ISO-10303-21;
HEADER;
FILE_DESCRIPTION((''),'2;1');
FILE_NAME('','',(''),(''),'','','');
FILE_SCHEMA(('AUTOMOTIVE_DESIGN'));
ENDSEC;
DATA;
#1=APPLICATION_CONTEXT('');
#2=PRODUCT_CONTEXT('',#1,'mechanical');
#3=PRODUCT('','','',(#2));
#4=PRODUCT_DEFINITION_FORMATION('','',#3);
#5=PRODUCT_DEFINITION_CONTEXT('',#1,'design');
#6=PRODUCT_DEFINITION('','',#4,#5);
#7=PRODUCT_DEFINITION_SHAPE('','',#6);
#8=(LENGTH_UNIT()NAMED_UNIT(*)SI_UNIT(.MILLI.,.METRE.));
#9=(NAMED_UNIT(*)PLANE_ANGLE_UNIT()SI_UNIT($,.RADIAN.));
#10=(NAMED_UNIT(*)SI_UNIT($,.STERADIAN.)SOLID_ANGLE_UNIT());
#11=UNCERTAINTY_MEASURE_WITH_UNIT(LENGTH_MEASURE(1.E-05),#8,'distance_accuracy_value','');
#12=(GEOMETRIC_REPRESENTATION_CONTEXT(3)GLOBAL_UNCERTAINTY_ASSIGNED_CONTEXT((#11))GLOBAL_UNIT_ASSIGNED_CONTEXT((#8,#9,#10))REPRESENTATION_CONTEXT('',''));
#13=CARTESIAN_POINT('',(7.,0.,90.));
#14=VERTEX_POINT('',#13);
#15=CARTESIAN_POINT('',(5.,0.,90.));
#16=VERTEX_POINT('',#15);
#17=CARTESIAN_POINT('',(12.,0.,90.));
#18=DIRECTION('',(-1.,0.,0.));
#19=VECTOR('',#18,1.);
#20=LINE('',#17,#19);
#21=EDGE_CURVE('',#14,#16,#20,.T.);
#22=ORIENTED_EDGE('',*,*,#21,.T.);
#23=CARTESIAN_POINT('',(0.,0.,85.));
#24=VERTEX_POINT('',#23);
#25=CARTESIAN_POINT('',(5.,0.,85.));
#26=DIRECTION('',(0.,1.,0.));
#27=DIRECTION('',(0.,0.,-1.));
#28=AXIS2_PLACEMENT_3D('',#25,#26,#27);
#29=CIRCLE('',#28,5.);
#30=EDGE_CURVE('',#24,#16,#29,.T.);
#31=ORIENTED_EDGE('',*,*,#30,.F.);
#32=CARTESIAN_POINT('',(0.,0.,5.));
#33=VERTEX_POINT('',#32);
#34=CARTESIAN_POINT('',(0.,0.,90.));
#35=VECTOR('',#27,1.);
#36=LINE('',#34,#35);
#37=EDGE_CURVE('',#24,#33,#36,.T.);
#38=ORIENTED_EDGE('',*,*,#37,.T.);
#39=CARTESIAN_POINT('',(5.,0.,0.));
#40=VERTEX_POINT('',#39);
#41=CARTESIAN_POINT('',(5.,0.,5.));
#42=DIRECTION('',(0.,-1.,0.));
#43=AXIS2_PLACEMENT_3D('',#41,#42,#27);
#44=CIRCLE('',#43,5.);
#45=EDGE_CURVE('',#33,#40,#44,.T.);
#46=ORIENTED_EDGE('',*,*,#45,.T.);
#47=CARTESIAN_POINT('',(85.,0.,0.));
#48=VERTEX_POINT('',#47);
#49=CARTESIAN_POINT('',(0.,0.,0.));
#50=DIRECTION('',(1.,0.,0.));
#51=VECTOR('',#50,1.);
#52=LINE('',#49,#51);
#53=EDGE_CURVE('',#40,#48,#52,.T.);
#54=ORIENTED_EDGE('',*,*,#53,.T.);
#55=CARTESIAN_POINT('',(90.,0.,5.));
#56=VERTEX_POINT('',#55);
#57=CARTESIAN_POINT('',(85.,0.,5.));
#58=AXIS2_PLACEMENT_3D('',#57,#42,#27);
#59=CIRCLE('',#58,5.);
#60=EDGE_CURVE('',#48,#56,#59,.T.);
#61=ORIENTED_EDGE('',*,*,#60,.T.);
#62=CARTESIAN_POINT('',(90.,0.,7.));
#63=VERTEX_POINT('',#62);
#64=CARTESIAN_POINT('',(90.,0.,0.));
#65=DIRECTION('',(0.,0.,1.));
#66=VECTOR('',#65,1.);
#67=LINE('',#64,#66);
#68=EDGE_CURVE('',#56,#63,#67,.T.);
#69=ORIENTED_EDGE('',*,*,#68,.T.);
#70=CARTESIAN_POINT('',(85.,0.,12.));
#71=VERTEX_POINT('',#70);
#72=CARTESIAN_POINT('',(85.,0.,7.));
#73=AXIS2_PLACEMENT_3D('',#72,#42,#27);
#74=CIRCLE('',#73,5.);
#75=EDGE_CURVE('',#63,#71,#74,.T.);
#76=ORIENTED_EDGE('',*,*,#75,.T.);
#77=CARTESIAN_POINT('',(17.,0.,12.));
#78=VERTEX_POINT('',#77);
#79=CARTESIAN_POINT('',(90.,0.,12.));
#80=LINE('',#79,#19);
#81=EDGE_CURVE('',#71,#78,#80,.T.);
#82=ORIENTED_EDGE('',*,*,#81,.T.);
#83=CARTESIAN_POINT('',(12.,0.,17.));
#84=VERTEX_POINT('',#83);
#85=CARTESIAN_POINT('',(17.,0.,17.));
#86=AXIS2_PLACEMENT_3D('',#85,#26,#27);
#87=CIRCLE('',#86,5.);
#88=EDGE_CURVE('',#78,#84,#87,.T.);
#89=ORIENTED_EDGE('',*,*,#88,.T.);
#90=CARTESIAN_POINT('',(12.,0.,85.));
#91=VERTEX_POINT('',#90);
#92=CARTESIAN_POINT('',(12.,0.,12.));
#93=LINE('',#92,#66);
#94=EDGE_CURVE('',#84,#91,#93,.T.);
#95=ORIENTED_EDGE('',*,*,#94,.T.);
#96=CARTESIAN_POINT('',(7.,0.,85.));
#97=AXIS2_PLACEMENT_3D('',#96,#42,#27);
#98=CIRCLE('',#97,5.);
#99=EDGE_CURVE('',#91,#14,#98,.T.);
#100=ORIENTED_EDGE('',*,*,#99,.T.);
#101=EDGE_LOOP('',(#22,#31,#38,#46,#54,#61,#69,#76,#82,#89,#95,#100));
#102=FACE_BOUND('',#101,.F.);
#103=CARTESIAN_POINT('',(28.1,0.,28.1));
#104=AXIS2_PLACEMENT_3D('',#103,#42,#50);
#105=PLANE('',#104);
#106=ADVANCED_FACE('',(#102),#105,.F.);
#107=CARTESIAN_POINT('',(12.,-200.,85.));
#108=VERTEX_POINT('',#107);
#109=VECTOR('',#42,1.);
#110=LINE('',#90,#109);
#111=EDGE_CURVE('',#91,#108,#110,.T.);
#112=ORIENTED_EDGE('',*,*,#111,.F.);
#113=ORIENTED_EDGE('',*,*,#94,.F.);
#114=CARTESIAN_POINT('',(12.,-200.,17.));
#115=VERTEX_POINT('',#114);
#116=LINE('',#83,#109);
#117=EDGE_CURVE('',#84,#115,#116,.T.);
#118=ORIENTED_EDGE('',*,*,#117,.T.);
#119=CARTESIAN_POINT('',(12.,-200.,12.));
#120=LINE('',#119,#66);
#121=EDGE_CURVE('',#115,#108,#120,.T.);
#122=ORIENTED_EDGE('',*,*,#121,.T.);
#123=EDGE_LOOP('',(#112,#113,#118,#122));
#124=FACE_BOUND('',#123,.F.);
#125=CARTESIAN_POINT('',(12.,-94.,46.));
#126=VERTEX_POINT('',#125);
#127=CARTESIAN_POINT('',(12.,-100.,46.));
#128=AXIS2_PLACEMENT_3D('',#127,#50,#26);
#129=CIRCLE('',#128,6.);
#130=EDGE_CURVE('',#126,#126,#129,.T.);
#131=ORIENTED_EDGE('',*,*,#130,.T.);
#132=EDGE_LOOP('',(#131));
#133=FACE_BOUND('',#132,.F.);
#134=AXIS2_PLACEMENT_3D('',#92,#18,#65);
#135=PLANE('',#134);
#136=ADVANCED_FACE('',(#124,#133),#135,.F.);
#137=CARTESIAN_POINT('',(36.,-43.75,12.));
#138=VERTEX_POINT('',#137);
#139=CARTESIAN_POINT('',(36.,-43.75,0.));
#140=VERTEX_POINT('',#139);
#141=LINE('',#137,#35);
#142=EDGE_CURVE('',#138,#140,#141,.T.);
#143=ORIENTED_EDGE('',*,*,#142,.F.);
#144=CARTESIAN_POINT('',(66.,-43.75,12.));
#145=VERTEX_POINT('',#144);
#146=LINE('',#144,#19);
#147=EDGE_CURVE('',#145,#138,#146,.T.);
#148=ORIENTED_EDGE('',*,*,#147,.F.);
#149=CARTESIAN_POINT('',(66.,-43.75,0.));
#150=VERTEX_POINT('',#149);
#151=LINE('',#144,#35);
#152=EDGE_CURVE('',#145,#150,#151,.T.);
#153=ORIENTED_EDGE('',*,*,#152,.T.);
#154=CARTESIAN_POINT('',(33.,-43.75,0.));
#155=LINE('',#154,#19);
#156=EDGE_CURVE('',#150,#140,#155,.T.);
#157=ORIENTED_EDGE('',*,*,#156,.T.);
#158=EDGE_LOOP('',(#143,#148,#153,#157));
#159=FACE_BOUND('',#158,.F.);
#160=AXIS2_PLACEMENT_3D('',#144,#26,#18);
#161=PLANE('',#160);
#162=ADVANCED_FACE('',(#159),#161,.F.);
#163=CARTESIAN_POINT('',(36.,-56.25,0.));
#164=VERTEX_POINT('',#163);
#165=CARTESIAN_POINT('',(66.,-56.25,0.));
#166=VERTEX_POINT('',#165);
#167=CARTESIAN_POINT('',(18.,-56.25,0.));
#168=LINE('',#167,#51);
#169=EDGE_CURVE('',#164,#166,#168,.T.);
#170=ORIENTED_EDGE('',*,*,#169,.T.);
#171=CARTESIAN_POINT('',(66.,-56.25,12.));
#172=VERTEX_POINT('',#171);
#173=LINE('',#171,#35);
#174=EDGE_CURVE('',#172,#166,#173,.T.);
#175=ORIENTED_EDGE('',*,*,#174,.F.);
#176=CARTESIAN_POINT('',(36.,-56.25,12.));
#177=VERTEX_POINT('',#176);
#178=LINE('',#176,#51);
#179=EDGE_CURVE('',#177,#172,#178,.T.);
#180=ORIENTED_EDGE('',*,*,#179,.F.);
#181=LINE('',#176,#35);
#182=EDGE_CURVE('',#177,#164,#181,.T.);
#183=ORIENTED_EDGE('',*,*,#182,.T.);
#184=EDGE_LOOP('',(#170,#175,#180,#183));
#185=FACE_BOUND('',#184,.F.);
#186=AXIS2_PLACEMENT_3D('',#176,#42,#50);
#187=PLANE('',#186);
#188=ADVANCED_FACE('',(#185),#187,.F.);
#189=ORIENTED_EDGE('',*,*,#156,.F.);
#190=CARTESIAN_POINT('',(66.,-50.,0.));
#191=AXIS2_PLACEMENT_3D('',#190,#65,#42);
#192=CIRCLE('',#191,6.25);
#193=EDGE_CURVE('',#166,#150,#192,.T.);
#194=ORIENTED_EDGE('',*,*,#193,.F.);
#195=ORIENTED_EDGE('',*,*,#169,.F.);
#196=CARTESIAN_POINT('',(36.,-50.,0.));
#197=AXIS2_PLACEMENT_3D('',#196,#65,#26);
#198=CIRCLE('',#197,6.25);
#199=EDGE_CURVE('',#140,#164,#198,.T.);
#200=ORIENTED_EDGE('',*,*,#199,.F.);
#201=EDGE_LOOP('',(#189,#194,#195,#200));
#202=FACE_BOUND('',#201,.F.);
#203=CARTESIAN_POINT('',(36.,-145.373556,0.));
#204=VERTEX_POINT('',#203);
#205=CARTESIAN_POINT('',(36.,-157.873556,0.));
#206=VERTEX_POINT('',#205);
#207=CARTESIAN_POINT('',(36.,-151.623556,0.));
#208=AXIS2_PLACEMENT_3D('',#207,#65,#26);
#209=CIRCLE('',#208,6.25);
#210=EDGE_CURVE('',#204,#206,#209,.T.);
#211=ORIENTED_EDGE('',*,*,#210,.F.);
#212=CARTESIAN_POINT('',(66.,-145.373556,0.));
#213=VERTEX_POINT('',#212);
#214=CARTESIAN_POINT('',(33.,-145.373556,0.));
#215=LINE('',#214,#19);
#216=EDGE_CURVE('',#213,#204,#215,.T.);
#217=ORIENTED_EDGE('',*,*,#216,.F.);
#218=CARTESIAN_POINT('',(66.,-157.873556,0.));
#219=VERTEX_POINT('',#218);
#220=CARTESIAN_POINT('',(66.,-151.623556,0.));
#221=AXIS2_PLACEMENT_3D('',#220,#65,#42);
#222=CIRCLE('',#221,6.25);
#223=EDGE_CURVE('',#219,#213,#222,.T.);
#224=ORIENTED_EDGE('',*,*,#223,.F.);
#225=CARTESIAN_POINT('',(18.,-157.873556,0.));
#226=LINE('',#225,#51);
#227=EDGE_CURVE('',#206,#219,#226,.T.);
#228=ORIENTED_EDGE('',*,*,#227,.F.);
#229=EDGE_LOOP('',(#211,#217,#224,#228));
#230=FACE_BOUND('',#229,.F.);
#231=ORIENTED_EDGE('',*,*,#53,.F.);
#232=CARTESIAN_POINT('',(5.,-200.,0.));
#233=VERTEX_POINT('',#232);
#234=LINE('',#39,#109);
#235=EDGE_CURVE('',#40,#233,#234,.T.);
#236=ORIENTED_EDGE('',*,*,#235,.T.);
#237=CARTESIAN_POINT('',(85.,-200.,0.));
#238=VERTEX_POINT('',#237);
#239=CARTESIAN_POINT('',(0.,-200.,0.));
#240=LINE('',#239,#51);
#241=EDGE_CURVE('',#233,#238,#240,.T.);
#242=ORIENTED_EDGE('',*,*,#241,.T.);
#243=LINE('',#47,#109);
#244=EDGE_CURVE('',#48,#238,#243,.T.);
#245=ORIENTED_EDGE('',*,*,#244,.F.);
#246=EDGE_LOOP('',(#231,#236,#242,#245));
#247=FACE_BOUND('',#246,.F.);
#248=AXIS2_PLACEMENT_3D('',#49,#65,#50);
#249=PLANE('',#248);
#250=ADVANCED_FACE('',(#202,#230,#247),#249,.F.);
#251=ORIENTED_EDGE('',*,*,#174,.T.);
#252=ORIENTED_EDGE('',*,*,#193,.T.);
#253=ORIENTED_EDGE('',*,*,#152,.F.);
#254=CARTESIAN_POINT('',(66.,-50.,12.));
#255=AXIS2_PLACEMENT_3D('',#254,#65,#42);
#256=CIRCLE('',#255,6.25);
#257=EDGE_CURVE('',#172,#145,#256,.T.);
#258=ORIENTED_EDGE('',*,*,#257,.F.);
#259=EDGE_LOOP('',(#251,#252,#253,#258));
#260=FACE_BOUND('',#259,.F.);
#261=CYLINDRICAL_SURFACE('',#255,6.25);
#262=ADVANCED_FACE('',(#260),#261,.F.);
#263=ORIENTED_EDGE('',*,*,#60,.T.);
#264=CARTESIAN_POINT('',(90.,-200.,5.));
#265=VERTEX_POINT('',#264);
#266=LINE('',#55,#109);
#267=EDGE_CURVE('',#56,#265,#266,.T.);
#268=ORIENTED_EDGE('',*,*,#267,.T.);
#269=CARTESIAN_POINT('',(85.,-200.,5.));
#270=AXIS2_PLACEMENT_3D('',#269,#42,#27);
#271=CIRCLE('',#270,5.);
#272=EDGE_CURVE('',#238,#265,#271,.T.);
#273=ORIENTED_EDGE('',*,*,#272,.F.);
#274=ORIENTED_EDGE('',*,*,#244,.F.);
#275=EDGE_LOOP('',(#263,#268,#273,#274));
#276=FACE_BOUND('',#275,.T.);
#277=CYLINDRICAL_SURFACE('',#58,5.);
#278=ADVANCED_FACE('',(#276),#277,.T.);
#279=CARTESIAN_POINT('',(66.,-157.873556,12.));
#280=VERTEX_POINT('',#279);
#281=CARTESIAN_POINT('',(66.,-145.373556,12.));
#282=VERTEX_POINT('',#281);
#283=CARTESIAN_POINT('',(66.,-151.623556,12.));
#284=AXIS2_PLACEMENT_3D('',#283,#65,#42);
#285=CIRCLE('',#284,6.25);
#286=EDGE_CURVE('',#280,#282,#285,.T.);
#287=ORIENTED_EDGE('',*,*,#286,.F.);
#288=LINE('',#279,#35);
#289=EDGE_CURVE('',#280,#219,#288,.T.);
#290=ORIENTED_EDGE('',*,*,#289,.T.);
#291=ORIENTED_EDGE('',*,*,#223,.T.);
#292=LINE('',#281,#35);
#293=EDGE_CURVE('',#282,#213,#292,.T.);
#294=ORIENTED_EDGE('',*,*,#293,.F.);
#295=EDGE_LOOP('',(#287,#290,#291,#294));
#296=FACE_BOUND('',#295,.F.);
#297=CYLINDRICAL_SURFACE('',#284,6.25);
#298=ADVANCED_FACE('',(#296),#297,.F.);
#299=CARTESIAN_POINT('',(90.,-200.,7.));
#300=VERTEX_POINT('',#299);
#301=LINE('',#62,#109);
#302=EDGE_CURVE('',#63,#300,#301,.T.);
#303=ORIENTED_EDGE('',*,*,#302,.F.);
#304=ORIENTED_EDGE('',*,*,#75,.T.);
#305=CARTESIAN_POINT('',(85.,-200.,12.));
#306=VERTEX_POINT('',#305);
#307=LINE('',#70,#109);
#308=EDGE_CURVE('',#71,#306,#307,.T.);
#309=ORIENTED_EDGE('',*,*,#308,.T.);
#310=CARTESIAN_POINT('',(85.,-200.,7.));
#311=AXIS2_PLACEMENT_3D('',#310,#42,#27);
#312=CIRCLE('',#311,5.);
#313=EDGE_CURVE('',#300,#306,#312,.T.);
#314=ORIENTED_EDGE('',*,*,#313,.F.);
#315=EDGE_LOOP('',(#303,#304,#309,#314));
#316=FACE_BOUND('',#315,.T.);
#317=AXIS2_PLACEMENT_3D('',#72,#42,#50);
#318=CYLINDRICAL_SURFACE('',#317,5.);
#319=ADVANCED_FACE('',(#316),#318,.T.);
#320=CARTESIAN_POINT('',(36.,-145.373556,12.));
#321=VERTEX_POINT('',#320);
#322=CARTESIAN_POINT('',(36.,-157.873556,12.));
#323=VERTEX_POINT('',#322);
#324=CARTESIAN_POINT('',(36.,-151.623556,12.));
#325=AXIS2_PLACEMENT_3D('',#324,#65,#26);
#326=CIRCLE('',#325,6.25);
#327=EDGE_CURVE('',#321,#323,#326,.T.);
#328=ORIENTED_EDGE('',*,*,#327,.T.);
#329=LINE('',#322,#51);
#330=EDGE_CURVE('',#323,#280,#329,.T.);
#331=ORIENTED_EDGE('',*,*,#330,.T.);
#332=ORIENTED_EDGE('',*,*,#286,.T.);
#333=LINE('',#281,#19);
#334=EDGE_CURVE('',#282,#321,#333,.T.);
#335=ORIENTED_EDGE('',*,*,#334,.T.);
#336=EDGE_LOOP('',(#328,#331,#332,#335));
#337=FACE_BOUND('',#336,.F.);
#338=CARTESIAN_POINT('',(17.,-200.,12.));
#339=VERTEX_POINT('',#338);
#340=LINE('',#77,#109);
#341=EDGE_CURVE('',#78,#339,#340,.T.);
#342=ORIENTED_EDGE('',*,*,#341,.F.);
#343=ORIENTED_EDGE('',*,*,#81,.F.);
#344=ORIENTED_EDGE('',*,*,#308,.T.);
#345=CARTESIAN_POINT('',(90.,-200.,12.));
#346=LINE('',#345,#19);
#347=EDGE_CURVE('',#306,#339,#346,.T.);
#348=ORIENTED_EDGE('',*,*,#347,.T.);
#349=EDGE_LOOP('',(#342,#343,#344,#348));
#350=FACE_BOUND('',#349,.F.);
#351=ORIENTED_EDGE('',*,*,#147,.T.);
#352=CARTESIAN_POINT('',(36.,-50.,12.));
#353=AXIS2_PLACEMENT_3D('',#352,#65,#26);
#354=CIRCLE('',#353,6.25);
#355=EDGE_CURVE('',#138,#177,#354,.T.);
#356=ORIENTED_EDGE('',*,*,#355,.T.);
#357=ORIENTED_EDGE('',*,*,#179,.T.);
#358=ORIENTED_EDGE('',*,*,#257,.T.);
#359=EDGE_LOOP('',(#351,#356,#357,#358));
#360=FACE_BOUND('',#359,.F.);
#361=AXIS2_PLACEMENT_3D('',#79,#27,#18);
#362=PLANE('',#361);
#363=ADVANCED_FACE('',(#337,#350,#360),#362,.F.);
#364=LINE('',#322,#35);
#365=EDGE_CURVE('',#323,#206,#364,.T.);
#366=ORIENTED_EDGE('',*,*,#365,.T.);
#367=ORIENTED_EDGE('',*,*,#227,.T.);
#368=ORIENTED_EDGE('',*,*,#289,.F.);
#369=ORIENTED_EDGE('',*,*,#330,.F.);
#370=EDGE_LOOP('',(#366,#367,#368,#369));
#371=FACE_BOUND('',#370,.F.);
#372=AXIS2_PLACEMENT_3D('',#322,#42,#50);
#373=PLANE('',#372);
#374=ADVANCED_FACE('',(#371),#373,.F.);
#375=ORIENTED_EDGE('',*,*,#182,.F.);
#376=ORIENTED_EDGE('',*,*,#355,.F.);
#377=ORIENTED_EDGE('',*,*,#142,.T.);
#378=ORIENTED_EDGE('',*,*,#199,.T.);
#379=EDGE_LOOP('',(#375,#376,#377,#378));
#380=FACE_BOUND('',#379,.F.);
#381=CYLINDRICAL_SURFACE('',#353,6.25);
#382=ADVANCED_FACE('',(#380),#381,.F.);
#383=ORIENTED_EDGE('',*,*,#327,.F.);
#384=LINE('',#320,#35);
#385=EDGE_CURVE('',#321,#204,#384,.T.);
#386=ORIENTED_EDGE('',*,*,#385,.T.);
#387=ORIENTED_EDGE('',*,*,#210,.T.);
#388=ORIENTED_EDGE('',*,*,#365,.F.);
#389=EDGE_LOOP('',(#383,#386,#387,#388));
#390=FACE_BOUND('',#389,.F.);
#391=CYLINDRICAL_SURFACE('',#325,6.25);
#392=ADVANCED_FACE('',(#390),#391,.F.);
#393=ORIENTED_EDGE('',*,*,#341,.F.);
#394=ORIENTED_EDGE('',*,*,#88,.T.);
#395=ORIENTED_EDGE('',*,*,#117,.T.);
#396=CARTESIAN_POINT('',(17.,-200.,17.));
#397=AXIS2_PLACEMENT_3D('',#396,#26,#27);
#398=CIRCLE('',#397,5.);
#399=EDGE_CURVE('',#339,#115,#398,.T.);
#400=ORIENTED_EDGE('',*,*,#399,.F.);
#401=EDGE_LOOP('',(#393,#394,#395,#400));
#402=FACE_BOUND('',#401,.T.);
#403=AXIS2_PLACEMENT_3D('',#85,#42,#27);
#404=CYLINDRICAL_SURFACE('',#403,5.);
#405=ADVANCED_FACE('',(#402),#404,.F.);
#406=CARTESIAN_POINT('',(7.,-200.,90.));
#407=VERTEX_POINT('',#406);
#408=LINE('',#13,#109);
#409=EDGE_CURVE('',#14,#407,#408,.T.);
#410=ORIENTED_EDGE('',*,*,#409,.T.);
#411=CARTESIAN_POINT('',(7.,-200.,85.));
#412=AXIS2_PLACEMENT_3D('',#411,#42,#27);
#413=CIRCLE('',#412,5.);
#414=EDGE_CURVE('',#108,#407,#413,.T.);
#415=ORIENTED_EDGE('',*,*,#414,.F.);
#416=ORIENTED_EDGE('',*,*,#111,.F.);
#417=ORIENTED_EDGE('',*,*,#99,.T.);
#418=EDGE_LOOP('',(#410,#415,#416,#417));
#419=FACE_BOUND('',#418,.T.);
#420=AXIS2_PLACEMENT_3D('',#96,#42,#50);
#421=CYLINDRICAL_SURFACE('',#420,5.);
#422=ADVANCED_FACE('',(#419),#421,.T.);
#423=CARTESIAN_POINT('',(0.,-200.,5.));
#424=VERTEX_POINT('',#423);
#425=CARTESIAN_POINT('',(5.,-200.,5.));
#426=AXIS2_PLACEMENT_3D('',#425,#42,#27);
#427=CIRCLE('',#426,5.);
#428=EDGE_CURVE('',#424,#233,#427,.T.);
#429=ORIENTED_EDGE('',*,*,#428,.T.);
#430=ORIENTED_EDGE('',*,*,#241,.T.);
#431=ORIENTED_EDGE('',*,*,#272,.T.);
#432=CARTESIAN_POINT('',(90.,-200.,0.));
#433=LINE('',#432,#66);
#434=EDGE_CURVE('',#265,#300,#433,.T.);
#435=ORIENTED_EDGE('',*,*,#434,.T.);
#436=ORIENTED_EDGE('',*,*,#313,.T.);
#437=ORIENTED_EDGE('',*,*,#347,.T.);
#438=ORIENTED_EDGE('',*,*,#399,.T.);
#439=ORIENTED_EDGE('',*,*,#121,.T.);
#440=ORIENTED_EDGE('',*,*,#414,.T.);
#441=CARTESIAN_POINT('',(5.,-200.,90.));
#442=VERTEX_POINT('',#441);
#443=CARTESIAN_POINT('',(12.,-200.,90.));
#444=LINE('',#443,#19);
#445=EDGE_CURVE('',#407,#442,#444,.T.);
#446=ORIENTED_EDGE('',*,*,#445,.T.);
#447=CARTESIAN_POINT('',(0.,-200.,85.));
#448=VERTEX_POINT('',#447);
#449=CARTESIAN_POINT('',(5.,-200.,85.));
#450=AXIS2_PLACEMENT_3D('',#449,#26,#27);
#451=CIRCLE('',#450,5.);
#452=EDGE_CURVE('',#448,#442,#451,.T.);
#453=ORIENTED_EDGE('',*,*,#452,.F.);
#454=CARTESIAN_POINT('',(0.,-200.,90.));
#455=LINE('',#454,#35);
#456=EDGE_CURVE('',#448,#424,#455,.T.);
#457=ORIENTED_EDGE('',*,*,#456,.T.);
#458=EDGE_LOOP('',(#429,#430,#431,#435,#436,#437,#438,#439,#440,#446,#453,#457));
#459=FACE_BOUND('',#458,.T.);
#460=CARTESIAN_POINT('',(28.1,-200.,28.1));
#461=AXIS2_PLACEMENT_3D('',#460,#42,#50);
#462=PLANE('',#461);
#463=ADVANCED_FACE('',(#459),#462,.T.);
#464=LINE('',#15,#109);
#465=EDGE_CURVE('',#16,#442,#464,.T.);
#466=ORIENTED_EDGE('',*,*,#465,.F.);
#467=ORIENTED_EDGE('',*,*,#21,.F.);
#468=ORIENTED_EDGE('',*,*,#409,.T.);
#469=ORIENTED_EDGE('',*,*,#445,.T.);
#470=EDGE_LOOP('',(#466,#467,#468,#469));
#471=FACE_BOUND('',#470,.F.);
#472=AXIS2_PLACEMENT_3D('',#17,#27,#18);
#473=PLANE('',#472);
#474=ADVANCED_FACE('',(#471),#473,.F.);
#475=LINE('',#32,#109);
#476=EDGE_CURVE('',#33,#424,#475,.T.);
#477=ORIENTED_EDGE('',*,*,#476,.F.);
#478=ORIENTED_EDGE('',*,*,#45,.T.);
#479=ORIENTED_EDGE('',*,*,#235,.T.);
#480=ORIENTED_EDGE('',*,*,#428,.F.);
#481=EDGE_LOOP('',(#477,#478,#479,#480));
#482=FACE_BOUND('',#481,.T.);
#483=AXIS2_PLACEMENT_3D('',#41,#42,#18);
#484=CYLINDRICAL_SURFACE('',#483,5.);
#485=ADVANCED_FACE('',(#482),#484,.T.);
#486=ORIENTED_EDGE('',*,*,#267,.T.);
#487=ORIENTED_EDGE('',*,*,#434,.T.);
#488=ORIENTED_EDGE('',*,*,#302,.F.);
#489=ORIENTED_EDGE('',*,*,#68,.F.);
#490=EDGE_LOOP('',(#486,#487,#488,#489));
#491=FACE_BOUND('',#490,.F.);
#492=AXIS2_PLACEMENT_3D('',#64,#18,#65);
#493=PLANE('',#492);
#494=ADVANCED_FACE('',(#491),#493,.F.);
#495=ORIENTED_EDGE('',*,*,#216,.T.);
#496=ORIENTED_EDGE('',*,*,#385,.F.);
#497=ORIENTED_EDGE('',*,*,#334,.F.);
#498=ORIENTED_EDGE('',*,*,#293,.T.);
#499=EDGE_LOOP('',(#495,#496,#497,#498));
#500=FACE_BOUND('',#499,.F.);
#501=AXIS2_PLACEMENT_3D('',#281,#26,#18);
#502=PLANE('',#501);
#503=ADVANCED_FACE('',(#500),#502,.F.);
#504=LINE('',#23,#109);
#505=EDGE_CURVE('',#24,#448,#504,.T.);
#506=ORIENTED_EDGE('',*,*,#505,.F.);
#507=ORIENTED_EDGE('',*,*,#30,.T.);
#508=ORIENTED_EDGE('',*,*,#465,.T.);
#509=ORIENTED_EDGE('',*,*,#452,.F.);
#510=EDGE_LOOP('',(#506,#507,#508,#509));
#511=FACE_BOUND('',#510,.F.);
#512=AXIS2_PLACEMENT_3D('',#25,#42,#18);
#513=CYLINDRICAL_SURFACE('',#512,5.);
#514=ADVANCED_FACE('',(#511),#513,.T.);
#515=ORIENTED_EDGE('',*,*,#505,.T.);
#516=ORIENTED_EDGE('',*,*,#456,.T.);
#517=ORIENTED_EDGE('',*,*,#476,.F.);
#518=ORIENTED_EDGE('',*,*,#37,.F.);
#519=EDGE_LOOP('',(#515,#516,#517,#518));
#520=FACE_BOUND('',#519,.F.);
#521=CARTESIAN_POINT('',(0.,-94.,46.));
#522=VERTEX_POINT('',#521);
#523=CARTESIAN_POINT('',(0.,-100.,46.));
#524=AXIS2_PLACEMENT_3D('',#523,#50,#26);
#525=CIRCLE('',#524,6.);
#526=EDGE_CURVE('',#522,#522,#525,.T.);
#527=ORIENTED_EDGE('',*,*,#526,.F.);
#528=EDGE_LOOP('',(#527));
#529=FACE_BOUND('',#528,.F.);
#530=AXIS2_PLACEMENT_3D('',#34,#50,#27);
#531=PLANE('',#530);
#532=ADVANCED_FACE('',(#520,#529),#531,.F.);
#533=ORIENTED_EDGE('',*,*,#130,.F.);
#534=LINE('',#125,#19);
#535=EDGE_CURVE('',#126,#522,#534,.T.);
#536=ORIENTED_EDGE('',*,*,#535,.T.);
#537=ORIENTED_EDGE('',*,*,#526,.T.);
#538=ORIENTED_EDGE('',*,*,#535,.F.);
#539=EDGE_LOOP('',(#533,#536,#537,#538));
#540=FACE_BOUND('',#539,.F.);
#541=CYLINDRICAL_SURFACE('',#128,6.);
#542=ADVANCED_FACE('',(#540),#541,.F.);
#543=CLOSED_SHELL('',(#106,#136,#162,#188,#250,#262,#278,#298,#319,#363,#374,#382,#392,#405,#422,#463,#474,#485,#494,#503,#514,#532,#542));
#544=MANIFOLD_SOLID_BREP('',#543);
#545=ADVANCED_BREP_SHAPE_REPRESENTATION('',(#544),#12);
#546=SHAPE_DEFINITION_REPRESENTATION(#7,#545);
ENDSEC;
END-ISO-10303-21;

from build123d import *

# Parameters (mm, degrees)
F1_DEPTH = 200
F2_R     = 5
F3_R     = 6
F4_DEPTH = 25
F6_DEPTH = 25


with BuildPart() as f1:
    # F0 (on Front) → F1 (new body)
    with BuildSketch(Plane.XZ):
        Polygon((0, 90), (0, 0), (90, 0), (90, 12), (12, 12), (12, 90), align=None)
    extrude(amount=F1_DEPTH)

    # F2
    f2_edges = [f1.edges().sort_by_distance(p)[0] for p in [
        (12, -100, 90),
        (12, -100, 12),
        (90, -100, 12),
        (90, -100, 0),
        (0, -100, 90),
        (0, -100, 0),
    ]]
    fillet(f2_edges, radius=F2_R)

    # F3 (on face) → F4 (cut)
    with BuildSketch(Plane.YZ.offset(12)):
        with Locations((-100, 46)):
            Circle(F3_R)
    extrude(amount=-F4_DEPTH, mode=Mode.SUBTRACT)

    # F5 (on face) → F6 (cut)
    with BuildSketch(Plane.XY.offset(12)):
        with BuildLine():
            Line((66, -145.373556), (36, -145.373556))
            ThreePointArc((36, -145.373556), (29.75, -151.623556), (36, -157.873556))
            Line((36, -157.873556), (66, -157.873556))
            ThreePointArc((66, -157.873556), (72.25, -151.623556), (66, -145.373556))
        make_face()
        with BuildLine():
            Line((66, -43.75), (36, -43.75))
            ThreePointArc((36, -43.75), (29.75, -50), (36, -56.25))
            Line((36, -56.25), (66, -56.25))
            ThreePointArc((66, -56.25), (72.25, -50), (66, -43.75))
        make_face()
    extrude(amount=-F6_DEPTH, mode=Mode.SUBTRACT)


solid = f1.part
